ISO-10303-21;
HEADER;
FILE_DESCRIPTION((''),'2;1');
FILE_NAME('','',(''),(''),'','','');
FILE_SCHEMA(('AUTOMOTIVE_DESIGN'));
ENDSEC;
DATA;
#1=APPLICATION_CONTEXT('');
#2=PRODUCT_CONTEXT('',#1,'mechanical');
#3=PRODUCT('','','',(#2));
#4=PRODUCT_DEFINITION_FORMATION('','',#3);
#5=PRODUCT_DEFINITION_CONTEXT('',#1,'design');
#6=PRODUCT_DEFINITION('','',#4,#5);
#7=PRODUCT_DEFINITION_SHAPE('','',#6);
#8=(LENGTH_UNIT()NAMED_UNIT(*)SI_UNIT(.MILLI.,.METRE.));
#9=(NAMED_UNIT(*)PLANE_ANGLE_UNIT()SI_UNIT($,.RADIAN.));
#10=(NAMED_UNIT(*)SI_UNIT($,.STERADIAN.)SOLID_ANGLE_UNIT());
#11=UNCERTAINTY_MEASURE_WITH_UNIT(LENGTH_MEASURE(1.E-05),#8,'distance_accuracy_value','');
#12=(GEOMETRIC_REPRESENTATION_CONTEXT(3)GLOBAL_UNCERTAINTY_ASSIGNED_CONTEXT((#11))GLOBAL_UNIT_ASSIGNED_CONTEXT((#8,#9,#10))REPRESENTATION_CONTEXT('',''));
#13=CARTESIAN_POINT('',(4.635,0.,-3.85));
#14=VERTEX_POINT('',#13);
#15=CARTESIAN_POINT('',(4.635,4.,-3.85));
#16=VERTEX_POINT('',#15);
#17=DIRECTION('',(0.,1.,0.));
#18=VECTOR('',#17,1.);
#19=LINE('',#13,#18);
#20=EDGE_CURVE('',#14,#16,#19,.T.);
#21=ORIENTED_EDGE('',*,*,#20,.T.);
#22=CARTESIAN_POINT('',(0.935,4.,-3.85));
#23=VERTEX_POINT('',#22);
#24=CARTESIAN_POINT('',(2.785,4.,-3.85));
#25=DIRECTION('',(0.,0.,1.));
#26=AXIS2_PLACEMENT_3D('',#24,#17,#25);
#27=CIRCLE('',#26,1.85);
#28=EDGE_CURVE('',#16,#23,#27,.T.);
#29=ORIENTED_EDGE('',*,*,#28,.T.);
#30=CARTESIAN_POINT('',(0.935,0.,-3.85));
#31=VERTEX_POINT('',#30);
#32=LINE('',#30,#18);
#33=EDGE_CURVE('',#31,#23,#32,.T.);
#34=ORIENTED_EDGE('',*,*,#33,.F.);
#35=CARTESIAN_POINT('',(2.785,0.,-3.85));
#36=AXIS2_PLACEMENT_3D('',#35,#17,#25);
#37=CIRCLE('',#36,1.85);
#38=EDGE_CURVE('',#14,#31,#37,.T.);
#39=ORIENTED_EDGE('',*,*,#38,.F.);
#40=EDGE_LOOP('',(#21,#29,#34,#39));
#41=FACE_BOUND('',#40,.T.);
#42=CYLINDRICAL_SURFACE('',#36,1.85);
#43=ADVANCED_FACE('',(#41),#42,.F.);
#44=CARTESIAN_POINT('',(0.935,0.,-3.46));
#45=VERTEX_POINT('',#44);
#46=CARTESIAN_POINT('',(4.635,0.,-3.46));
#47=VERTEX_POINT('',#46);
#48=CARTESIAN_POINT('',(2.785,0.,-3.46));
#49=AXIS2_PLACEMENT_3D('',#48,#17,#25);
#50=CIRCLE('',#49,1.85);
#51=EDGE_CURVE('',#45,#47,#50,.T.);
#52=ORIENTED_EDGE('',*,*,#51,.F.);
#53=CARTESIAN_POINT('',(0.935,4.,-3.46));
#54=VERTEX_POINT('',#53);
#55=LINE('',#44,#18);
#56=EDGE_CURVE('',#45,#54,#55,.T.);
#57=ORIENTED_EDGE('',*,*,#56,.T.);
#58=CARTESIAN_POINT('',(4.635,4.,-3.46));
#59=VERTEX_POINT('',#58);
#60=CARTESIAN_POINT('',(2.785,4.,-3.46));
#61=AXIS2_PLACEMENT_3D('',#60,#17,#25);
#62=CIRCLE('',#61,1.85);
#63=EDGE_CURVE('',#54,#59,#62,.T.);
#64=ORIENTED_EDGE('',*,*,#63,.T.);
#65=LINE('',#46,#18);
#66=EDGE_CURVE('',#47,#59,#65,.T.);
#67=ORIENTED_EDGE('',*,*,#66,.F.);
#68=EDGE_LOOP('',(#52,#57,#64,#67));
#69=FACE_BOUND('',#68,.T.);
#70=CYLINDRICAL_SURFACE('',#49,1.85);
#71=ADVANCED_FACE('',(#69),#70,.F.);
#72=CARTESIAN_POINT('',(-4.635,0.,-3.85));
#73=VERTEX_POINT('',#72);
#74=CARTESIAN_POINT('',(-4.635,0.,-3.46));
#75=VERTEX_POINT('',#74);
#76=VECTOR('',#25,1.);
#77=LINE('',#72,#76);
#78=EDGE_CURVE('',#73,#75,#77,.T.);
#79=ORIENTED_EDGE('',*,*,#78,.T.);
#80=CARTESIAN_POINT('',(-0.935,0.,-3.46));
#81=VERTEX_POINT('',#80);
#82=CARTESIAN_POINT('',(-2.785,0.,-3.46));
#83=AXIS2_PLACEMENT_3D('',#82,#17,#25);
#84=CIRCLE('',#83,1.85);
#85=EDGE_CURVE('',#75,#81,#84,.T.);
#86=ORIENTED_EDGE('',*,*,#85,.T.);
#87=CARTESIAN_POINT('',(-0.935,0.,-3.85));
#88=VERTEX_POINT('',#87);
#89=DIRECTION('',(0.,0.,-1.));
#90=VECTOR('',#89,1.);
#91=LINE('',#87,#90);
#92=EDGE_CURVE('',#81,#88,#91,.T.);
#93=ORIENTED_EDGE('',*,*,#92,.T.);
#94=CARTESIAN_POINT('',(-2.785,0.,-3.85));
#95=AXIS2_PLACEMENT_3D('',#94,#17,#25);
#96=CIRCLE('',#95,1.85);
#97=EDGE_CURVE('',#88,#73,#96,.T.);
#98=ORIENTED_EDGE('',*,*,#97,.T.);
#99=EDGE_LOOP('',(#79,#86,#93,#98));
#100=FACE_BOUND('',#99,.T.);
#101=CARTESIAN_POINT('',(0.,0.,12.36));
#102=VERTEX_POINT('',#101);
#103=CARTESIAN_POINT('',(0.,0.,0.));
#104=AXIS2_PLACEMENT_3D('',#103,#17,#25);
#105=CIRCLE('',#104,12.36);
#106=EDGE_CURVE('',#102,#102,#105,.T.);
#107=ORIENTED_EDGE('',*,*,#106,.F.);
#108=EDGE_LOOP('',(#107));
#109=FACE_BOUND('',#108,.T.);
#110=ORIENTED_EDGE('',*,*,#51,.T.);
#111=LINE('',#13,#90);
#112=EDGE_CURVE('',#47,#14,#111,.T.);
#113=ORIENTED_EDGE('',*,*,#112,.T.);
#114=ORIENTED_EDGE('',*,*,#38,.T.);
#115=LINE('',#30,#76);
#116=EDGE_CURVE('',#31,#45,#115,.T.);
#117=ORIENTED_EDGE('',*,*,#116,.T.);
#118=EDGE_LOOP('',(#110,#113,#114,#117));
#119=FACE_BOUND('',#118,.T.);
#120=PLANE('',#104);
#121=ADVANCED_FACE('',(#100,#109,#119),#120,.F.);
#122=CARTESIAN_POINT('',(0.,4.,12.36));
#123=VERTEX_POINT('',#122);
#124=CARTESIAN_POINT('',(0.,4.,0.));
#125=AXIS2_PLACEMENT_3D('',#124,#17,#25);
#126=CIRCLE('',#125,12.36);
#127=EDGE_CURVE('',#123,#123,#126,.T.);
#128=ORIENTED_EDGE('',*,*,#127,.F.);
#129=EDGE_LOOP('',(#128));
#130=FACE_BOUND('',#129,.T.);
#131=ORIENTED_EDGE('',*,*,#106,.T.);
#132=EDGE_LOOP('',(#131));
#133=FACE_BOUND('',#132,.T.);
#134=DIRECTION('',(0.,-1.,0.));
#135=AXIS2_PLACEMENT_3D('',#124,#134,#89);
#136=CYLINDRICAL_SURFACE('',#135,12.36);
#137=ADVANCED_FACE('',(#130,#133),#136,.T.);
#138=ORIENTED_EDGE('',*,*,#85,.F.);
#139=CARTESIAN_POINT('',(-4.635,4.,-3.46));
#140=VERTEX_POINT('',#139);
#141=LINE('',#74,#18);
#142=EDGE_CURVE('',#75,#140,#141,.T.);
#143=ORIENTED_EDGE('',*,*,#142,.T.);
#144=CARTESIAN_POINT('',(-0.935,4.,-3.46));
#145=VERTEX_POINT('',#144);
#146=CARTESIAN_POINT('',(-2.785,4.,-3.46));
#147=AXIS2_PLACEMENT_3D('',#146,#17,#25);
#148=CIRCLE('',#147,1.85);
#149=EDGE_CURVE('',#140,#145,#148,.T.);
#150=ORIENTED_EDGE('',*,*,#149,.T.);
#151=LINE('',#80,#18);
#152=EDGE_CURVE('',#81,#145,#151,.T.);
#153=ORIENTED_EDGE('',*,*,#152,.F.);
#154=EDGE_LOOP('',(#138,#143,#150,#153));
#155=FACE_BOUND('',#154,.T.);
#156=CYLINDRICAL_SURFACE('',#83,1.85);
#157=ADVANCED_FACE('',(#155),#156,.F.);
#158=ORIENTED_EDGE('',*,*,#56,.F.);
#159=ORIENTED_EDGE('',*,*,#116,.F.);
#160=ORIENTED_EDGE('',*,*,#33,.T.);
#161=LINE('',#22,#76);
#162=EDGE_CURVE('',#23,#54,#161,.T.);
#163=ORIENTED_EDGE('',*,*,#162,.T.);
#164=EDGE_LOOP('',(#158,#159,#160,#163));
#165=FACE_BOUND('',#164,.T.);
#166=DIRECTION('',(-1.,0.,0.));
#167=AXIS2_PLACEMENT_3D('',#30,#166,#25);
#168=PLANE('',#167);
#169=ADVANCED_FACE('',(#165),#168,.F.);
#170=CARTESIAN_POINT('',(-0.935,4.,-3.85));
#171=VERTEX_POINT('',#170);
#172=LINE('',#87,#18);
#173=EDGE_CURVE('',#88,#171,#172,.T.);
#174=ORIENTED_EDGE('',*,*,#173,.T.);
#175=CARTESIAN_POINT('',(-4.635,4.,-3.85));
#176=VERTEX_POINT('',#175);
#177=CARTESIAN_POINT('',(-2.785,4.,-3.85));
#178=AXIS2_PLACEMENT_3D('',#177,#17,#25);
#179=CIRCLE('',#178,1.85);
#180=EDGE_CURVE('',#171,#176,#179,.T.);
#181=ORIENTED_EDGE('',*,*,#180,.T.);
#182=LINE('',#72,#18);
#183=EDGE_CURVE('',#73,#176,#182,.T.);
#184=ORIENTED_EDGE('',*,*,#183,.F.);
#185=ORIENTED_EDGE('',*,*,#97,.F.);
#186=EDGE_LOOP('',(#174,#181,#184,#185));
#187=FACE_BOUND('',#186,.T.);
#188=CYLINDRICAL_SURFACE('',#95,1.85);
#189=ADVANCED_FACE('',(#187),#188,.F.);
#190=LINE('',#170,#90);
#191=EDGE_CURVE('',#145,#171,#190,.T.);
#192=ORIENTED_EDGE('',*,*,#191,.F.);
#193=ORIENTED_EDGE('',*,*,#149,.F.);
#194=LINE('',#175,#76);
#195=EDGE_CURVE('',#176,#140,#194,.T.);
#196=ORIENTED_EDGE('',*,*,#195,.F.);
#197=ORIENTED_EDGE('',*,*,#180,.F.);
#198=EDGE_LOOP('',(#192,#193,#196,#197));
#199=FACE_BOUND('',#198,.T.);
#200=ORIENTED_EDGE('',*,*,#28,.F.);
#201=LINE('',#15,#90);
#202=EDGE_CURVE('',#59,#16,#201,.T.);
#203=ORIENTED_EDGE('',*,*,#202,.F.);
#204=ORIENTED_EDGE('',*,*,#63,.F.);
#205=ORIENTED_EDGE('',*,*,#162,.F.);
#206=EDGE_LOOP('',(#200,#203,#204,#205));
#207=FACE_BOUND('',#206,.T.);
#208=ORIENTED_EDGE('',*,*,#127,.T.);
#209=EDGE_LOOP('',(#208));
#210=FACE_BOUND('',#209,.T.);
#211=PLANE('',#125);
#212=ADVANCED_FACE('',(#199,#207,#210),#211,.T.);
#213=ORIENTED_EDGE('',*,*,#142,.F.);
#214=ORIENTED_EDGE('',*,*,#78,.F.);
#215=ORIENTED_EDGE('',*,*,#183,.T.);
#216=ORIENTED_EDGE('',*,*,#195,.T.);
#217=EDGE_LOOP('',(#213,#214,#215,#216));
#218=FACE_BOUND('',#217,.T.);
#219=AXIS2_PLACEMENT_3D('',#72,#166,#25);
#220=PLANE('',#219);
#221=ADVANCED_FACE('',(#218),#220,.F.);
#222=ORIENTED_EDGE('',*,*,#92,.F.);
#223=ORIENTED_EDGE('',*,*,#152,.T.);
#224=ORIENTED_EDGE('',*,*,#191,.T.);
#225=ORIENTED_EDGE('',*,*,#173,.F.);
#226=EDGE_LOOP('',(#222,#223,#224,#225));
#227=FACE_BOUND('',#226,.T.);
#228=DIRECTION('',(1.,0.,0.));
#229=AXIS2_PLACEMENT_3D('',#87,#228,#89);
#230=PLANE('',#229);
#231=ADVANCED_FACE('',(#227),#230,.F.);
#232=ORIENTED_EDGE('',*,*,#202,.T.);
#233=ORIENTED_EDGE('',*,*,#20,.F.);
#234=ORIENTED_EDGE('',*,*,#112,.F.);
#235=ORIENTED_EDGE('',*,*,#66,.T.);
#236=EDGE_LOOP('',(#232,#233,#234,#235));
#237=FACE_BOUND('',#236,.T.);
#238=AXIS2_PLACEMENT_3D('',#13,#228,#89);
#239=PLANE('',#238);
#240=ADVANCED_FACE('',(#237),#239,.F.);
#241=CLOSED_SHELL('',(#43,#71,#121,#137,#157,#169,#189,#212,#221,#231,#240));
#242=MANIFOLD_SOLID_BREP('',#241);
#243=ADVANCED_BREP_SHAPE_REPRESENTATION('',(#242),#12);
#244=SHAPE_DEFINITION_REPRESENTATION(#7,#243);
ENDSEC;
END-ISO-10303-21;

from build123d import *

# Parameters (mm, degrees)
SKETCH1_R           = 12.36
BOSS_EXTRUDE1_DEPTH = 4
CUT_EXTRUDE1_DEPTH  = 18.931514158


with BuildPart() as part:
    # Sketch1 → Boss-Extrude1 (new body)
    with BuildSketch(Plane(origin=(0, 0, 0), x_dir=(1, 0, 0), z_dir=(0, 1, 0))):
        with Locations(Location((0, 0, 0), (0, 0, 270))):
            Circle(SKETCH1_R)
    extrude(amount=BOSS_EXTRUDE1_DEPTH)

    # Sketch2 → Cut-Extrude1 (cut, through all)
    with BuildSketch(Plane(origin=(0, 4, 0), x_dir=(1, 0, 0), z_dir=(0, 1, 0))):
        with BuildLine():
            Line((4.635, 3.85), (4.635, 3.46))
            ThreePointArc((4.635, 3.46), (2.785, 1.61), (0.935, 3.46))
            Line((0.935, 3.46), (0.935, 3.85))
            ThreePointArc((0.935, 3.85), (2.785, 5.7), (4.635, 3.85))
        make_face()
        with BuildLine():
            Line((-0.935, 3.85), (-0.935, 3.46))
            ThreePointArc((-0.935, 3.46), (-2.785, 1.61), (-4.635, 3.46))
            Line((-4.635, 3.46), (-4.635, 3.85))
            ThreePointArc((-4.635, 3.85), (-2.785, 5.7), (-0.935, 3.85))
        make_face()
    extrude(amount=-CUT_EXTRUDE1_DEPTH, mode=Mode.SUBTRACT)


solid = part.part
